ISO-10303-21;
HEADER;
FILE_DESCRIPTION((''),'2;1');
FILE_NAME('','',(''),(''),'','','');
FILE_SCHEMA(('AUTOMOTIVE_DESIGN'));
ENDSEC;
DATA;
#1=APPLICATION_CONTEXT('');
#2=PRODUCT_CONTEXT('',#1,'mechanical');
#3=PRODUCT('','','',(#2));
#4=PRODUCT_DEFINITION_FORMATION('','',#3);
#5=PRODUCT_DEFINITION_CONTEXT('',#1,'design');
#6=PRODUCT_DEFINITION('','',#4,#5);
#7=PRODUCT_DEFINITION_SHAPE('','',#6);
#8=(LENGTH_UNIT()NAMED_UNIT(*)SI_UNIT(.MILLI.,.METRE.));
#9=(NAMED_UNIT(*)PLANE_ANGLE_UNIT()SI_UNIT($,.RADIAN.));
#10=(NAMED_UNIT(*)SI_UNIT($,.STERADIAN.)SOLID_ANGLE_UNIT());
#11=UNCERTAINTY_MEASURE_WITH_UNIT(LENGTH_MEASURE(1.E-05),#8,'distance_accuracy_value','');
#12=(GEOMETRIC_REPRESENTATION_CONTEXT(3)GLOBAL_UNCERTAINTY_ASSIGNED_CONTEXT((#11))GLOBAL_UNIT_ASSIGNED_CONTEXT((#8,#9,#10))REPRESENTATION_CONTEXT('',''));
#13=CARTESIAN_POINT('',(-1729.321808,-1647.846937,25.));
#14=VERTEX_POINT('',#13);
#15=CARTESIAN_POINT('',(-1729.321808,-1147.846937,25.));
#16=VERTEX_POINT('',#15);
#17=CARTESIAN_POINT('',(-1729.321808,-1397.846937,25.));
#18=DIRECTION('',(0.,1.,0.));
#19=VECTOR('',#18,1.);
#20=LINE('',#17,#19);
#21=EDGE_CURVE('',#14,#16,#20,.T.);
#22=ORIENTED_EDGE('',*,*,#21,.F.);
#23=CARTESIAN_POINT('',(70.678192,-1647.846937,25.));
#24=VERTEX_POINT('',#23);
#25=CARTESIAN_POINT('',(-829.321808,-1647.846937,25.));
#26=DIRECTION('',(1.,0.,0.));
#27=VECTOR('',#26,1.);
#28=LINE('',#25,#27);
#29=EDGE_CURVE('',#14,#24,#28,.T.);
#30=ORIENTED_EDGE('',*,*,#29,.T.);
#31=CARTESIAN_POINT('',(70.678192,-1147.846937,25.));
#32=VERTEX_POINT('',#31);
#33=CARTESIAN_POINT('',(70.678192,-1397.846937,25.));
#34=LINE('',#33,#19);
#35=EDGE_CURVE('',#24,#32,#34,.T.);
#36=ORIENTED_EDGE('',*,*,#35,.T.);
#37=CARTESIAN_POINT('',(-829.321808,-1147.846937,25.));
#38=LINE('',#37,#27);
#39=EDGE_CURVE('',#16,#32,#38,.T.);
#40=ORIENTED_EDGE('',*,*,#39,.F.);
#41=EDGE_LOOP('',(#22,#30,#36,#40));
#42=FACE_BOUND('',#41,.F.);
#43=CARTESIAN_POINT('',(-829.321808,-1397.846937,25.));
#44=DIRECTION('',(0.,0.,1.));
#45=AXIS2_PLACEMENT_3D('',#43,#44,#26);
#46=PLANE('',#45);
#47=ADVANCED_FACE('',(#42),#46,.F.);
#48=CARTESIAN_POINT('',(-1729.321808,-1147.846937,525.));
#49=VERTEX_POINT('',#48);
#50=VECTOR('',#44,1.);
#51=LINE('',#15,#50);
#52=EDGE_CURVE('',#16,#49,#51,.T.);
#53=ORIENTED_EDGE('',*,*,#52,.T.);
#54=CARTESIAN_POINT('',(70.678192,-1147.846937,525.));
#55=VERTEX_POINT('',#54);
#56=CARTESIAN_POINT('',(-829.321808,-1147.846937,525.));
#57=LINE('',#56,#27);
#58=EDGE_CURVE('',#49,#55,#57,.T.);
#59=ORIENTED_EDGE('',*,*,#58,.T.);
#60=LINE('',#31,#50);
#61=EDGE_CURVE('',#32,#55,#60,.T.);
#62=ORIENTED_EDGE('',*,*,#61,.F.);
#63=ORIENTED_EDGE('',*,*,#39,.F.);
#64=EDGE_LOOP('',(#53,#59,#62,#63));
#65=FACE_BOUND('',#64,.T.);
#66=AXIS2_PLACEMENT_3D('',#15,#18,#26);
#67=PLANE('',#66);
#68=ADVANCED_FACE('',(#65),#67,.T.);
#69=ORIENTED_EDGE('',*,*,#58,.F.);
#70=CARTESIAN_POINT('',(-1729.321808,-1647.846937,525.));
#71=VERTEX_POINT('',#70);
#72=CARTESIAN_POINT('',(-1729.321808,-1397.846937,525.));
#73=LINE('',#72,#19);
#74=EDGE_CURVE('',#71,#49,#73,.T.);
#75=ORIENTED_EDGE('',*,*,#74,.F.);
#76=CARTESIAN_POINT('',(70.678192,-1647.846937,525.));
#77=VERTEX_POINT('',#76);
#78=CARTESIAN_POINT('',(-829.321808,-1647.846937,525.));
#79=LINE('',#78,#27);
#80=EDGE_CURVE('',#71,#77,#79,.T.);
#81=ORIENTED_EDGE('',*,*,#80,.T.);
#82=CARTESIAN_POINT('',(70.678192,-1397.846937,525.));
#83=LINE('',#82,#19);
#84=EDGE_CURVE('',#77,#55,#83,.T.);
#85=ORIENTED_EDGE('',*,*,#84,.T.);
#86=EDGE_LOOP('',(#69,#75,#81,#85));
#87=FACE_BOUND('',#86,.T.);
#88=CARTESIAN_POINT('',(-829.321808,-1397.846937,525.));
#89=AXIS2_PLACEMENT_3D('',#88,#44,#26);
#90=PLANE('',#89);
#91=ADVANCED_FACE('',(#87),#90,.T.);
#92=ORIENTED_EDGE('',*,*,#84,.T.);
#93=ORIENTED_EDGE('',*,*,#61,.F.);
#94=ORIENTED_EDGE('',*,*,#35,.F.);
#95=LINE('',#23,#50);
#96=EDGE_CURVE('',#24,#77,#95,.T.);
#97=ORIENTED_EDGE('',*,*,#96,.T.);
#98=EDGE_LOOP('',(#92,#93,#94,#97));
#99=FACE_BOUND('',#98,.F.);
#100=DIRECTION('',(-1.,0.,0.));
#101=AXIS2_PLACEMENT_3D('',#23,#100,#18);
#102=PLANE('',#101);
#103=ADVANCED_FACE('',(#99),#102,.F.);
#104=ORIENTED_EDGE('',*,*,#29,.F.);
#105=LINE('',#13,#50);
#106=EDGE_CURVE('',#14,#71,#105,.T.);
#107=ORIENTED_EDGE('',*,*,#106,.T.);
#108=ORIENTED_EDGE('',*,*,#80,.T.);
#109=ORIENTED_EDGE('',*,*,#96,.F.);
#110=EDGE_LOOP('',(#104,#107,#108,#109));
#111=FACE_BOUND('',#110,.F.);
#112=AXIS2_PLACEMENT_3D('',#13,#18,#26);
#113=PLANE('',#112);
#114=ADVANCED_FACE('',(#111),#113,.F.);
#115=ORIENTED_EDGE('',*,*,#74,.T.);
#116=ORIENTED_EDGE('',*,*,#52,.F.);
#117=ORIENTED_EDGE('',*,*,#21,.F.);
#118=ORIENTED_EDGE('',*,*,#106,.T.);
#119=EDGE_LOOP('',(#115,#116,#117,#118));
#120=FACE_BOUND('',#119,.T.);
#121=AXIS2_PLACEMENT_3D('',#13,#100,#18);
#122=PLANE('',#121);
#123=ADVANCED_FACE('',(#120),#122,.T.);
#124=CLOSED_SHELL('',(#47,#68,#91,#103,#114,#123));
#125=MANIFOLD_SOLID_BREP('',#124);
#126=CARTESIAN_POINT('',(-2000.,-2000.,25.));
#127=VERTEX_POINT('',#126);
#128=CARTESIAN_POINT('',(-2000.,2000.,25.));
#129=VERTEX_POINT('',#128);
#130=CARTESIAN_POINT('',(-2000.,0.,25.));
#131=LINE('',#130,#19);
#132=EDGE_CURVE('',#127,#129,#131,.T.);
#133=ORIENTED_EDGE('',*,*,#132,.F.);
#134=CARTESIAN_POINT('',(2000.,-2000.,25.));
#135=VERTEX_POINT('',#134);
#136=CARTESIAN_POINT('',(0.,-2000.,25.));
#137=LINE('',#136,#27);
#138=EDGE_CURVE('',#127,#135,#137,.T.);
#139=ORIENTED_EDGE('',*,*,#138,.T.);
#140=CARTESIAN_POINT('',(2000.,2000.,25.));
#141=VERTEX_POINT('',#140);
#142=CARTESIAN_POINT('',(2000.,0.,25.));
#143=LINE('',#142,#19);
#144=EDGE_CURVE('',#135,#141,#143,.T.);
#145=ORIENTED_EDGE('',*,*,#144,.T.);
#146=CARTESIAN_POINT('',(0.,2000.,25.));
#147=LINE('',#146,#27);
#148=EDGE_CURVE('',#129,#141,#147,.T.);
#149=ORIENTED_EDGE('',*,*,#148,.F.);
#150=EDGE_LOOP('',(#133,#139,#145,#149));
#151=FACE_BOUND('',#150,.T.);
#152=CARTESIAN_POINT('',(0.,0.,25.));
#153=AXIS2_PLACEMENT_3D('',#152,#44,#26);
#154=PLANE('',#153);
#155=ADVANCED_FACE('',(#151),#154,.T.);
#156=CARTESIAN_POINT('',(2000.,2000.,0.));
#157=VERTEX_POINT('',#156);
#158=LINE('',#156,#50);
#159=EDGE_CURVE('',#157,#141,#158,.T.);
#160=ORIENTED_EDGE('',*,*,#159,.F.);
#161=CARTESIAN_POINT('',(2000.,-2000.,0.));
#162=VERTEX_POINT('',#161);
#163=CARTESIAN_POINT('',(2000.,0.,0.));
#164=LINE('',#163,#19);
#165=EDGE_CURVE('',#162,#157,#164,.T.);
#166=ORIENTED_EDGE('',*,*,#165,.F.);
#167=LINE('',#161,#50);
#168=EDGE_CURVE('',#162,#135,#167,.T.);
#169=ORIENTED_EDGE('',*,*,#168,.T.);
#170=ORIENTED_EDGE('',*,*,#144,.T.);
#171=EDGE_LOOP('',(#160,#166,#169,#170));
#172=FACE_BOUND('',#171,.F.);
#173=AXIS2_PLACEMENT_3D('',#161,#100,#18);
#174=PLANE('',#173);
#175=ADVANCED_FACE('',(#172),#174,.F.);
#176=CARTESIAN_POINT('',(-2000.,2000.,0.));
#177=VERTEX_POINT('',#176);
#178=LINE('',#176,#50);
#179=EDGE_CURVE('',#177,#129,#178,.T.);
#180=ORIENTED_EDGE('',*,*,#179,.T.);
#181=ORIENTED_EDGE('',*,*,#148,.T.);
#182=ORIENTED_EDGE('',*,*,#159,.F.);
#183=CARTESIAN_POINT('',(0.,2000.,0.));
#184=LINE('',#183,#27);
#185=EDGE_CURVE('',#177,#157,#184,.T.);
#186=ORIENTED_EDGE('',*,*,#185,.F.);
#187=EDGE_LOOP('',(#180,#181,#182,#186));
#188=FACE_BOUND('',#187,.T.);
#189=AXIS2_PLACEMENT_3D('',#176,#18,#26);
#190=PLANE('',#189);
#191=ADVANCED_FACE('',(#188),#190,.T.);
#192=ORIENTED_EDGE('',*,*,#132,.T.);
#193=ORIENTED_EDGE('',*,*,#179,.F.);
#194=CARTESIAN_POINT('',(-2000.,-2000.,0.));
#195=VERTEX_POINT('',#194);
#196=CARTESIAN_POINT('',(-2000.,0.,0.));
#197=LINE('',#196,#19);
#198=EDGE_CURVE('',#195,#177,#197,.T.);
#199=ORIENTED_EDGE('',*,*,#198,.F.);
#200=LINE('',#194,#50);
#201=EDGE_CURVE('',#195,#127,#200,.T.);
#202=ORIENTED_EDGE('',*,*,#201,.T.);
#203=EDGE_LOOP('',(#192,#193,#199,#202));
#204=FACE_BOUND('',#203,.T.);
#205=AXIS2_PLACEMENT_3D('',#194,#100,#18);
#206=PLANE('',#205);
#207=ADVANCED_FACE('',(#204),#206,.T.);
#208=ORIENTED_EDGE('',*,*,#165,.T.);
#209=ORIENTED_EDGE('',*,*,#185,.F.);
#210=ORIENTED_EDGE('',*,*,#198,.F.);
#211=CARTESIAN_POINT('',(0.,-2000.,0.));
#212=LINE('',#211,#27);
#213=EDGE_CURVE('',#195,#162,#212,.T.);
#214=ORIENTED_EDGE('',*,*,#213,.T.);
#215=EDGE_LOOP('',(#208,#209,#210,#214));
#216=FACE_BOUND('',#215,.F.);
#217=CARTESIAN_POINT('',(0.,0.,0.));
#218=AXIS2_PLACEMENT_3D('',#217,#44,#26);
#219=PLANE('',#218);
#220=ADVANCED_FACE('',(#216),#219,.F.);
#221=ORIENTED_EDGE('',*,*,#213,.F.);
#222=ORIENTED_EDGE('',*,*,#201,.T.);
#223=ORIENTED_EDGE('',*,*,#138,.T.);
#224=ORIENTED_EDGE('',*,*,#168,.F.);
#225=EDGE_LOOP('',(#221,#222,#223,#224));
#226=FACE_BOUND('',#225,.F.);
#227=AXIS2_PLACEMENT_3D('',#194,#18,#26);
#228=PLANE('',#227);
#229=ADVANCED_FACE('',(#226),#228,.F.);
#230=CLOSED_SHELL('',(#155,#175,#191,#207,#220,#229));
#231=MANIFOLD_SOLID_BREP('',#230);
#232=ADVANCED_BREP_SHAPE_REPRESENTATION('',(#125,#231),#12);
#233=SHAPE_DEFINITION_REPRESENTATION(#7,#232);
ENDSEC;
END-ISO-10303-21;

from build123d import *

# Parameters (mm, degrees)
F0_W     = 4000
F0_H     = 4000
F1_DEPTH = 25
F2_W     = 1800
F2_H     = 500
F3_DEPTH = 500


with BuildPart() as f1:
    # F0 (on Top) → F1 (new body)
    with BuildSketch(Plane.XY):
        Rectangle(F0_W, F0_H)
    extrude(amount=F1_DEPTH)


with BuildPart() as f3:
    # F2 (on face) → F3 (new body)
    with BuildSketch(Plane.XY.offset(25)):
        with Locations((-829.321808, -1397.846937)):
            Rectangle(F2_W, F2_H)
    extrude(amount=F3_DEPTH)


solid = Compound([f1.part, f3.part])
